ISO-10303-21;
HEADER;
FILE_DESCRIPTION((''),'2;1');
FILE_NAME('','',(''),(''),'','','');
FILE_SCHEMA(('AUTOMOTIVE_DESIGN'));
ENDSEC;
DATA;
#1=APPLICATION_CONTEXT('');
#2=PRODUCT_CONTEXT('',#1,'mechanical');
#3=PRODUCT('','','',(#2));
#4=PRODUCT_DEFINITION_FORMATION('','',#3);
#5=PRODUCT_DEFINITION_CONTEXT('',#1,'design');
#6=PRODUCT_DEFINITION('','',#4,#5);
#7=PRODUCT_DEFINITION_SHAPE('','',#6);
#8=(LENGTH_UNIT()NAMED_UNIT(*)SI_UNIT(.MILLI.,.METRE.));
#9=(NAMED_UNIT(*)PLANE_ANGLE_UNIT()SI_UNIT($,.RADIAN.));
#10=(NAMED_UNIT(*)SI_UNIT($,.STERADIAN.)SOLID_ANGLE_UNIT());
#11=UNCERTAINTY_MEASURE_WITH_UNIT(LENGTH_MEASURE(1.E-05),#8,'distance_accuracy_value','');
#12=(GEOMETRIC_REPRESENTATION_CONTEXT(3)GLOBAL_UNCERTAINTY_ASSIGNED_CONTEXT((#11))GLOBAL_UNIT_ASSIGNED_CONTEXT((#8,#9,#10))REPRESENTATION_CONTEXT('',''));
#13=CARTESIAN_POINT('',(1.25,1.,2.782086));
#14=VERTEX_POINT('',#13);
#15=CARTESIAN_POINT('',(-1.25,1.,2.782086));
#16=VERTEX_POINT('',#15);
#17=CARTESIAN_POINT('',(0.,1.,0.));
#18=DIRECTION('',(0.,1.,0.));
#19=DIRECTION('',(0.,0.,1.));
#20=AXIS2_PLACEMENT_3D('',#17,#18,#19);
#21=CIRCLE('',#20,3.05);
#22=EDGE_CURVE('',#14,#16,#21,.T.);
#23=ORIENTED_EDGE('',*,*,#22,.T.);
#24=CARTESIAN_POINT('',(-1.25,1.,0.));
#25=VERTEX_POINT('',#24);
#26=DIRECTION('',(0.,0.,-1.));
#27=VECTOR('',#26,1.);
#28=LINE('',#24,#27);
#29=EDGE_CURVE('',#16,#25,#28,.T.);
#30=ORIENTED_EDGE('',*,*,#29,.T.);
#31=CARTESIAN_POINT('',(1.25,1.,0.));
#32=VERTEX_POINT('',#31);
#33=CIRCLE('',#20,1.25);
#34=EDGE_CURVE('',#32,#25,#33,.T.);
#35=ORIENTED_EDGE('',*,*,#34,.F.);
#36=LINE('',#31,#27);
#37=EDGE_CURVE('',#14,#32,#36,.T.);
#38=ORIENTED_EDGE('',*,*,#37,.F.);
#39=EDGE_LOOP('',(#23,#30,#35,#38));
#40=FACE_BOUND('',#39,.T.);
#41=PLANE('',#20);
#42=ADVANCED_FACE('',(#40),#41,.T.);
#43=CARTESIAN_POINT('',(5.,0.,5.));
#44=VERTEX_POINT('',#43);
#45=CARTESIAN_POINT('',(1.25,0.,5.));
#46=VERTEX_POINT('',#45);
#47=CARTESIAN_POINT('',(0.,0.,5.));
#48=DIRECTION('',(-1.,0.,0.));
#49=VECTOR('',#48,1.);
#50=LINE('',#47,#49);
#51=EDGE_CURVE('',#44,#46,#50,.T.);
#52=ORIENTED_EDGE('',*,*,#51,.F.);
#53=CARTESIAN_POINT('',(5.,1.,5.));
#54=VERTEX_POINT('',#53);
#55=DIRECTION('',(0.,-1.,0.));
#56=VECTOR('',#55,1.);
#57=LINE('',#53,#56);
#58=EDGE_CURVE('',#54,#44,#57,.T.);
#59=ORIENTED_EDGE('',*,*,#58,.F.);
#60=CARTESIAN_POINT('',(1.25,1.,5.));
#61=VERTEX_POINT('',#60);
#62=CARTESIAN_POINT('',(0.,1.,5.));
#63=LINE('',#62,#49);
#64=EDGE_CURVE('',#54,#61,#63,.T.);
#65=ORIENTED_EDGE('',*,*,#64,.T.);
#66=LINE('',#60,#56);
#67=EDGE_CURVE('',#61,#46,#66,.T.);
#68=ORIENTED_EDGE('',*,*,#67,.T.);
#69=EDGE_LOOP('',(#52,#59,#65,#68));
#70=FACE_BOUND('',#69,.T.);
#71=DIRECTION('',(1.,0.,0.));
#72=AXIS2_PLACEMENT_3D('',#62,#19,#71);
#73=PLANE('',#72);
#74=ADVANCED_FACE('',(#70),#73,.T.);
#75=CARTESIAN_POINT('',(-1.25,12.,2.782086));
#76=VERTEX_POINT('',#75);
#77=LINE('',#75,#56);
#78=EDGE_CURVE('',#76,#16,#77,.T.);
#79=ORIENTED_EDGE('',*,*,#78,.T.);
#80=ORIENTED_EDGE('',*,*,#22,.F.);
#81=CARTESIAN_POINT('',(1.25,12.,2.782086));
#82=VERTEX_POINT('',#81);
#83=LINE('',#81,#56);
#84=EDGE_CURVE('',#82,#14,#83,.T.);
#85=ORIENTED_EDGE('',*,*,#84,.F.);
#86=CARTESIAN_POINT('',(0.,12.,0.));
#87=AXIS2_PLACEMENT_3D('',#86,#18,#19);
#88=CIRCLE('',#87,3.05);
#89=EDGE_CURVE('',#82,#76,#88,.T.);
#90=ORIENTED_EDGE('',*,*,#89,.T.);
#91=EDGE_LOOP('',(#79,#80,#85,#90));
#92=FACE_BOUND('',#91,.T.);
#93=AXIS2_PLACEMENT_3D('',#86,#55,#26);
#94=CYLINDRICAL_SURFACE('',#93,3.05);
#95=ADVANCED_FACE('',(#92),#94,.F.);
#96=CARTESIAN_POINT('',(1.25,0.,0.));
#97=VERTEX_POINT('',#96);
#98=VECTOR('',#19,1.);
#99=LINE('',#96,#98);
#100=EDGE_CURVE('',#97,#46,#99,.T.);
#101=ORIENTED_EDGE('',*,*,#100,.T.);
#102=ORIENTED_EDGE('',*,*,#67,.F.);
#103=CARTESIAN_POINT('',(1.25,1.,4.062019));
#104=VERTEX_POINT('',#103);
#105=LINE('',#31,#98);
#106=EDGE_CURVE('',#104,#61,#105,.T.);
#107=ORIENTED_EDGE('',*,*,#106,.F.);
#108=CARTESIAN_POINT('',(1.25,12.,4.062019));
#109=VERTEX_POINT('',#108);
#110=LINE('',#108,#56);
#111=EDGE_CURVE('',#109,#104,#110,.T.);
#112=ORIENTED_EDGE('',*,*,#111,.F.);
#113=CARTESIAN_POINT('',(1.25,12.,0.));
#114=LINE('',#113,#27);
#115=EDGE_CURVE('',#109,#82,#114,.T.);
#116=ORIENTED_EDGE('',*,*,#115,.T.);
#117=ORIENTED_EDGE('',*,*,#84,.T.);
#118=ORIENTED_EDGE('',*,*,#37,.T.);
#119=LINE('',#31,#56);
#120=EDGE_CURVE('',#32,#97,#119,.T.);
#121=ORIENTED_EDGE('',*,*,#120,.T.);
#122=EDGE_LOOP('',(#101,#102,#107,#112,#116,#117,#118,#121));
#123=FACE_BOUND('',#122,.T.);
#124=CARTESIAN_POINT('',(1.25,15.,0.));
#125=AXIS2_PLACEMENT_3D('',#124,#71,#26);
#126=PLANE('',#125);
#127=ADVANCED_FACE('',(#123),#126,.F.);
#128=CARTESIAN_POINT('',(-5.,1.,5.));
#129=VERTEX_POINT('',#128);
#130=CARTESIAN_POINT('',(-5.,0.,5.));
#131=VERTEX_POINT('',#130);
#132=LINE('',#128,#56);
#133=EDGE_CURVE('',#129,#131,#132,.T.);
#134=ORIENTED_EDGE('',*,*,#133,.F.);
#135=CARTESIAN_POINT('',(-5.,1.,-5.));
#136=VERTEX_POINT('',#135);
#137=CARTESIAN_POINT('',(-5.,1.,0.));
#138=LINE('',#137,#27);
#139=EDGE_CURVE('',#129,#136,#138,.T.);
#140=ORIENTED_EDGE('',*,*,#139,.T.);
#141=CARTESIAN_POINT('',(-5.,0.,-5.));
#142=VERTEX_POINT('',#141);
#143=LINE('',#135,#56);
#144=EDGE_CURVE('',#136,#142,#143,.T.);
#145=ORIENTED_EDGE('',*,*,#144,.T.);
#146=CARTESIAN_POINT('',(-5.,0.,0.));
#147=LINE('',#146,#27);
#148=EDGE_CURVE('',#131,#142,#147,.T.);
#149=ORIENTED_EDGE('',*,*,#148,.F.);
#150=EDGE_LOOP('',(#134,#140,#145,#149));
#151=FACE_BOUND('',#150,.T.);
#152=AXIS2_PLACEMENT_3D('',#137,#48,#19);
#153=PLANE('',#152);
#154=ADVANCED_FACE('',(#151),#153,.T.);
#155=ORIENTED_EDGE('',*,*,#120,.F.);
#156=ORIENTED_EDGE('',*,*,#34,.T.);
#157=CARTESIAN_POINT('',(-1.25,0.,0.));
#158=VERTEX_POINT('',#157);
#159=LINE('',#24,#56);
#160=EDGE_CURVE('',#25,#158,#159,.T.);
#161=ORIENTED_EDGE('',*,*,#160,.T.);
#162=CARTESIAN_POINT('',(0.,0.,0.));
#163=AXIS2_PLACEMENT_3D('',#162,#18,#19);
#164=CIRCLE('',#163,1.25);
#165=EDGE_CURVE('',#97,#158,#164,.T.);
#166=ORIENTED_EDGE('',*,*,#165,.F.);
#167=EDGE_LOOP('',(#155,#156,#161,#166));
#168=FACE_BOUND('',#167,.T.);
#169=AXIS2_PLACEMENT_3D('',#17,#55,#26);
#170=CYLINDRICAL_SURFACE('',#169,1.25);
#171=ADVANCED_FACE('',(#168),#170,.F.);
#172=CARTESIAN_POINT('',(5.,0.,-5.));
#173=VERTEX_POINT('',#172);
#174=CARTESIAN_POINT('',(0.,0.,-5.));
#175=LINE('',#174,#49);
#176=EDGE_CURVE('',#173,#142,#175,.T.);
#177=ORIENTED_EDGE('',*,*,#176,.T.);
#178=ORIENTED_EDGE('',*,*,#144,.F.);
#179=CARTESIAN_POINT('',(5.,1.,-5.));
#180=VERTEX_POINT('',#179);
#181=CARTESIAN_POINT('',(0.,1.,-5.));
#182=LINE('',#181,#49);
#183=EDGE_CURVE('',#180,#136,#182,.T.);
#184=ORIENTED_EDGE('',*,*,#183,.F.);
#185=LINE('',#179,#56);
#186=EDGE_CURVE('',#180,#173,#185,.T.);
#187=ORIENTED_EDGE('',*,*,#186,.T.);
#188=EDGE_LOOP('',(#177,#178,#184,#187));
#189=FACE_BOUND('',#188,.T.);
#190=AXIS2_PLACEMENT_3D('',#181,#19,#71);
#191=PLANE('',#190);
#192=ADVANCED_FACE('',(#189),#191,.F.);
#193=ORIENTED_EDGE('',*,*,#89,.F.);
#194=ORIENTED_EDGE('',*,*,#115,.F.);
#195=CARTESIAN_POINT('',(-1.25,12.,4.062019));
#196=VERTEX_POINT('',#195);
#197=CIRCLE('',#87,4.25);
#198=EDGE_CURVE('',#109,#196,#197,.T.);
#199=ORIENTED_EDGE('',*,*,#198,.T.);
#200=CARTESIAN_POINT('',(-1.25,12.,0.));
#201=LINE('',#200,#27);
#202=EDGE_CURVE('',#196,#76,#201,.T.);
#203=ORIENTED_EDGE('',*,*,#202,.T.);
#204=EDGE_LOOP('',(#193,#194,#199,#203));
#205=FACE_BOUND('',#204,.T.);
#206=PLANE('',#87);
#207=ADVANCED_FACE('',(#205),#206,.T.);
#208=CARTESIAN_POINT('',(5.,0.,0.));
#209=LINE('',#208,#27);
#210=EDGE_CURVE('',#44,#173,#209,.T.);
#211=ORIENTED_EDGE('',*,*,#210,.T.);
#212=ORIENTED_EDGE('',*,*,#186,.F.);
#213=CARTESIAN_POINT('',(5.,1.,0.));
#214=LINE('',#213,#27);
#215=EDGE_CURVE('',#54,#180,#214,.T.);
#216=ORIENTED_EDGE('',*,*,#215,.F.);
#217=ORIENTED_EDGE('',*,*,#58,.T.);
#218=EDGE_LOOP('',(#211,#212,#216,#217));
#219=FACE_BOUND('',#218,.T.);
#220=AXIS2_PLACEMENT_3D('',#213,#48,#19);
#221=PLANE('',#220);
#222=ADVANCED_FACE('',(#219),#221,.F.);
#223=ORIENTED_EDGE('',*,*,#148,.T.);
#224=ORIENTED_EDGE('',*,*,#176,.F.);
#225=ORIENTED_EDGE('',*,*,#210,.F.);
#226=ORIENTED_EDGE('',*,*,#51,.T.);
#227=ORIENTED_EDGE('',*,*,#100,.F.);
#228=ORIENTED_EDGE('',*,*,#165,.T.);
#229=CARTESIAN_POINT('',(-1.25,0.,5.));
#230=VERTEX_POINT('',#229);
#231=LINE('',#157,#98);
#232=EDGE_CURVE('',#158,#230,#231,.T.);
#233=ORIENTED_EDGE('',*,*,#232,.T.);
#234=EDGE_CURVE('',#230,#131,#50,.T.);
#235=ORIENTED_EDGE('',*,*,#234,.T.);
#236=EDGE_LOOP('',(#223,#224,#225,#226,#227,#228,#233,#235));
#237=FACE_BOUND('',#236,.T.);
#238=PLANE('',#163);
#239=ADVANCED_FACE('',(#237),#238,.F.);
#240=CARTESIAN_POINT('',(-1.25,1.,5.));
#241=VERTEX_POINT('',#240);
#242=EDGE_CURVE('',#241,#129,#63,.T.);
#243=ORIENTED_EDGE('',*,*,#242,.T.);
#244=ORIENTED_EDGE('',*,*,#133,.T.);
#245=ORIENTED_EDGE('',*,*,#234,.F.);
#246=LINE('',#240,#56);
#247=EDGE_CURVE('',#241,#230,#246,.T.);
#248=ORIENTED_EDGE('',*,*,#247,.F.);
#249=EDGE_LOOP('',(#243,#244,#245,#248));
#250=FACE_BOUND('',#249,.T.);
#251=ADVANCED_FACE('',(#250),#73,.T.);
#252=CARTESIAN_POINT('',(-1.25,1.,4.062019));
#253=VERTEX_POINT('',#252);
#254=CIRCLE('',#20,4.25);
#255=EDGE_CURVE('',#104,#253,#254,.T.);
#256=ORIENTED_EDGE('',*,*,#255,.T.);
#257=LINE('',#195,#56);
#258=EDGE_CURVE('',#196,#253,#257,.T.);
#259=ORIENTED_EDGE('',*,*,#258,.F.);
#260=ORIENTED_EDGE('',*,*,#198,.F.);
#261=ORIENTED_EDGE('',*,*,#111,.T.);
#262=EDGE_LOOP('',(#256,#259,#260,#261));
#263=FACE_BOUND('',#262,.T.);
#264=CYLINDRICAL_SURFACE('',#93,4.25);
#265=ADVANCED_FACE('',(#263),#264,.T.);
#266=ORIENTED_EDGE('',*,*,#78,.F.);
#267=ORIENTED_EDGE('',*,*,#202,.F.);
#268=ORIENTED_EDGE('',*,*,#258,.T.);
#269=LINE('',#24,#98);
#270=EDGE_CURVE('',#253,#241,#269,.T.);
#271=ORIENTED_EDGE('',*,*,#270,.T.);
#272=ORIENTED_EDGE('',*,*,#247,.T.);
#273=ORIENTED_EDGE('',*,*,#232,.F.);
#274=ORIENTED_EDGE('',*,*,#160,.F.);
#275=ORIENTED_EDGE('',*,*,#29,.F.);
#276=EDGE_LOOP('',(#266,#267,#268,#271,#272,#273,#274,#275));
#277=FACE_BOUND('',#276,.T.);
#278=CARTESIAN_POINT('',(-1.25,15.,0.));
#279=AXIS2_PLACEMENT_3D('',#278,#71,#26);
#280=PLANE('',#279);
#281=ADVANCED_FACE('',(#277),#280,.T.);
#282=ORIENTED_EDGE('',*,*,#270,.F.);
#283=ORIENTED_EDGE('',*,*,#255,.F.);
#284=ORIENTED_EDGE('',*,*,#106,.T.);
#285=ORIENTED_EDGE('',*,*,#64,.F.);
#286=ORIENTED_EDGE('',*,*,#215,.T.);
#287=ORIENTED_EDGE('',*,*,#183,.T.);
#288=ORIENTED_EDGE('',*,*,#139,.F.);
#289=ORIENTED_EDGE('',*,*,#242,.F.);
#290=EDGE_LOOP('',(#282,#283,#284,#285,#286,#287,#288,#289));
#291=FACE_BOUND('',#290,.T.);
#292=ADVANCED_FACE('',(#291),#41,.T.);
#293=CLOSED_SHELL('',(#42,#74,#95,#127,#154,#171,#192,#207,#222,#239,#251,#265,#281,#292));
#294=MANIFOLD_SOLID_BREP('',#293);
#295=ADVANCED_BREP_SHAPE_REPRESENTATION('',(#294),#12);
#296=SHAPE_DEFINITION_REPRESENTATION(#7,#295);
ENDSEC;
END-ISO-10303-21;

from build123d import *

# Parameters (mm, degrees)
SKETCH1_R           = 4.25
SKETCH1_R_2         = 3.05
BOSS_EXTRUDE1_DEPTH = 12
SKETCH2_R           = 3.05
SKETCH2_R_2         = 1.25
BOSS_EXTRUDE2_DEPTH = 1
CUT_EXTRUDE1_DEPTH  = 15
BOSS_EXTRUDE3_DEPTH = 1


with BuildPart() as part:
    # Sketch1 → Boss-Extrude1 (new body)
    with BuildSketch(Plane(origin=(0, 0, 0), x_dir=(1, 0, 0), z_dir=(0, 1, 0))):
        with Locations(Location((0, 0, 0), (0, 0, 270))):
            Circle(SKETCH1_R)
        with Locations(Location((0, 0, 0), (0, 0, 270))):
            Circle(SKETCH1_R_2, mode=Mode.SUBTRACT)
    extrude(amount=BOSS_EXTRUDE1_DEPTH)

    # Sketch2 → Boss-Extrude2 (add)
    with BuildSketch(Plane(origin=(0, 0, 0), x_dir=(1, 0, 0), z_dir=(0, 1, 0))):
        with Locations(Location((0, 0, 0), (0, 0, 270))):
            Circle(SKETCH2_R)
        with Locations(Location((0, 0, 0), (0, 0, 270))):
            Circle(SKETCH2_R_2, mode=Mode.SUBTRACT)
    extrude(amount=BOSS_EXTRUDE2_DEPTH)

    # Sketch3 → Cut-Extrude1 (cut)
    with BuildSketch(Plane(origin=(0, 0, 0), x_dir=(1, 0, 0), z_dir=(0, 1, 0))):
        with BuildLine():
            ThreePointArc((1.25, 0), (0, -1.25), (-1.25, 0))
            Line((-1.25, 0), (-1.25, -5.072282681))
            Line((-1.25, -5.072282681), (1.25, -5.072282681))
            Line((1.25, -5.072282681), (1.25, 0))
        make_face()
    extrude(amount=CUT_EXTRUDE1_DEPTH, mode=Mode.SUBTRACT)

    # Sketch4 → Boss-Extrude3 (add)
    with BuildSketch(Plane(origin=(0, 0, 0), x_dir=(1, 0, 0), z_dir=(0, 1, 0))):
        with BuildLine():
            Line((-1.25, -5), (-1.25, 0))
            ThreePointArc((-1.25, 0), (0, 1.25), (1.25, 0))
            Line((1.25, 0), (1.25, -5))
            Line((1.25, -5), (5, -5))
            Line((5, -5), (5, 5))
            Line((5, 5), (-5, 5))
            Line((-5, 5), (-5, -5))
            Line((-5, -5), (-1.25, -5))
        make_face()
    extrude(amount=BOSS_EXTRUDE3_DEPTH)


solid = part.part
